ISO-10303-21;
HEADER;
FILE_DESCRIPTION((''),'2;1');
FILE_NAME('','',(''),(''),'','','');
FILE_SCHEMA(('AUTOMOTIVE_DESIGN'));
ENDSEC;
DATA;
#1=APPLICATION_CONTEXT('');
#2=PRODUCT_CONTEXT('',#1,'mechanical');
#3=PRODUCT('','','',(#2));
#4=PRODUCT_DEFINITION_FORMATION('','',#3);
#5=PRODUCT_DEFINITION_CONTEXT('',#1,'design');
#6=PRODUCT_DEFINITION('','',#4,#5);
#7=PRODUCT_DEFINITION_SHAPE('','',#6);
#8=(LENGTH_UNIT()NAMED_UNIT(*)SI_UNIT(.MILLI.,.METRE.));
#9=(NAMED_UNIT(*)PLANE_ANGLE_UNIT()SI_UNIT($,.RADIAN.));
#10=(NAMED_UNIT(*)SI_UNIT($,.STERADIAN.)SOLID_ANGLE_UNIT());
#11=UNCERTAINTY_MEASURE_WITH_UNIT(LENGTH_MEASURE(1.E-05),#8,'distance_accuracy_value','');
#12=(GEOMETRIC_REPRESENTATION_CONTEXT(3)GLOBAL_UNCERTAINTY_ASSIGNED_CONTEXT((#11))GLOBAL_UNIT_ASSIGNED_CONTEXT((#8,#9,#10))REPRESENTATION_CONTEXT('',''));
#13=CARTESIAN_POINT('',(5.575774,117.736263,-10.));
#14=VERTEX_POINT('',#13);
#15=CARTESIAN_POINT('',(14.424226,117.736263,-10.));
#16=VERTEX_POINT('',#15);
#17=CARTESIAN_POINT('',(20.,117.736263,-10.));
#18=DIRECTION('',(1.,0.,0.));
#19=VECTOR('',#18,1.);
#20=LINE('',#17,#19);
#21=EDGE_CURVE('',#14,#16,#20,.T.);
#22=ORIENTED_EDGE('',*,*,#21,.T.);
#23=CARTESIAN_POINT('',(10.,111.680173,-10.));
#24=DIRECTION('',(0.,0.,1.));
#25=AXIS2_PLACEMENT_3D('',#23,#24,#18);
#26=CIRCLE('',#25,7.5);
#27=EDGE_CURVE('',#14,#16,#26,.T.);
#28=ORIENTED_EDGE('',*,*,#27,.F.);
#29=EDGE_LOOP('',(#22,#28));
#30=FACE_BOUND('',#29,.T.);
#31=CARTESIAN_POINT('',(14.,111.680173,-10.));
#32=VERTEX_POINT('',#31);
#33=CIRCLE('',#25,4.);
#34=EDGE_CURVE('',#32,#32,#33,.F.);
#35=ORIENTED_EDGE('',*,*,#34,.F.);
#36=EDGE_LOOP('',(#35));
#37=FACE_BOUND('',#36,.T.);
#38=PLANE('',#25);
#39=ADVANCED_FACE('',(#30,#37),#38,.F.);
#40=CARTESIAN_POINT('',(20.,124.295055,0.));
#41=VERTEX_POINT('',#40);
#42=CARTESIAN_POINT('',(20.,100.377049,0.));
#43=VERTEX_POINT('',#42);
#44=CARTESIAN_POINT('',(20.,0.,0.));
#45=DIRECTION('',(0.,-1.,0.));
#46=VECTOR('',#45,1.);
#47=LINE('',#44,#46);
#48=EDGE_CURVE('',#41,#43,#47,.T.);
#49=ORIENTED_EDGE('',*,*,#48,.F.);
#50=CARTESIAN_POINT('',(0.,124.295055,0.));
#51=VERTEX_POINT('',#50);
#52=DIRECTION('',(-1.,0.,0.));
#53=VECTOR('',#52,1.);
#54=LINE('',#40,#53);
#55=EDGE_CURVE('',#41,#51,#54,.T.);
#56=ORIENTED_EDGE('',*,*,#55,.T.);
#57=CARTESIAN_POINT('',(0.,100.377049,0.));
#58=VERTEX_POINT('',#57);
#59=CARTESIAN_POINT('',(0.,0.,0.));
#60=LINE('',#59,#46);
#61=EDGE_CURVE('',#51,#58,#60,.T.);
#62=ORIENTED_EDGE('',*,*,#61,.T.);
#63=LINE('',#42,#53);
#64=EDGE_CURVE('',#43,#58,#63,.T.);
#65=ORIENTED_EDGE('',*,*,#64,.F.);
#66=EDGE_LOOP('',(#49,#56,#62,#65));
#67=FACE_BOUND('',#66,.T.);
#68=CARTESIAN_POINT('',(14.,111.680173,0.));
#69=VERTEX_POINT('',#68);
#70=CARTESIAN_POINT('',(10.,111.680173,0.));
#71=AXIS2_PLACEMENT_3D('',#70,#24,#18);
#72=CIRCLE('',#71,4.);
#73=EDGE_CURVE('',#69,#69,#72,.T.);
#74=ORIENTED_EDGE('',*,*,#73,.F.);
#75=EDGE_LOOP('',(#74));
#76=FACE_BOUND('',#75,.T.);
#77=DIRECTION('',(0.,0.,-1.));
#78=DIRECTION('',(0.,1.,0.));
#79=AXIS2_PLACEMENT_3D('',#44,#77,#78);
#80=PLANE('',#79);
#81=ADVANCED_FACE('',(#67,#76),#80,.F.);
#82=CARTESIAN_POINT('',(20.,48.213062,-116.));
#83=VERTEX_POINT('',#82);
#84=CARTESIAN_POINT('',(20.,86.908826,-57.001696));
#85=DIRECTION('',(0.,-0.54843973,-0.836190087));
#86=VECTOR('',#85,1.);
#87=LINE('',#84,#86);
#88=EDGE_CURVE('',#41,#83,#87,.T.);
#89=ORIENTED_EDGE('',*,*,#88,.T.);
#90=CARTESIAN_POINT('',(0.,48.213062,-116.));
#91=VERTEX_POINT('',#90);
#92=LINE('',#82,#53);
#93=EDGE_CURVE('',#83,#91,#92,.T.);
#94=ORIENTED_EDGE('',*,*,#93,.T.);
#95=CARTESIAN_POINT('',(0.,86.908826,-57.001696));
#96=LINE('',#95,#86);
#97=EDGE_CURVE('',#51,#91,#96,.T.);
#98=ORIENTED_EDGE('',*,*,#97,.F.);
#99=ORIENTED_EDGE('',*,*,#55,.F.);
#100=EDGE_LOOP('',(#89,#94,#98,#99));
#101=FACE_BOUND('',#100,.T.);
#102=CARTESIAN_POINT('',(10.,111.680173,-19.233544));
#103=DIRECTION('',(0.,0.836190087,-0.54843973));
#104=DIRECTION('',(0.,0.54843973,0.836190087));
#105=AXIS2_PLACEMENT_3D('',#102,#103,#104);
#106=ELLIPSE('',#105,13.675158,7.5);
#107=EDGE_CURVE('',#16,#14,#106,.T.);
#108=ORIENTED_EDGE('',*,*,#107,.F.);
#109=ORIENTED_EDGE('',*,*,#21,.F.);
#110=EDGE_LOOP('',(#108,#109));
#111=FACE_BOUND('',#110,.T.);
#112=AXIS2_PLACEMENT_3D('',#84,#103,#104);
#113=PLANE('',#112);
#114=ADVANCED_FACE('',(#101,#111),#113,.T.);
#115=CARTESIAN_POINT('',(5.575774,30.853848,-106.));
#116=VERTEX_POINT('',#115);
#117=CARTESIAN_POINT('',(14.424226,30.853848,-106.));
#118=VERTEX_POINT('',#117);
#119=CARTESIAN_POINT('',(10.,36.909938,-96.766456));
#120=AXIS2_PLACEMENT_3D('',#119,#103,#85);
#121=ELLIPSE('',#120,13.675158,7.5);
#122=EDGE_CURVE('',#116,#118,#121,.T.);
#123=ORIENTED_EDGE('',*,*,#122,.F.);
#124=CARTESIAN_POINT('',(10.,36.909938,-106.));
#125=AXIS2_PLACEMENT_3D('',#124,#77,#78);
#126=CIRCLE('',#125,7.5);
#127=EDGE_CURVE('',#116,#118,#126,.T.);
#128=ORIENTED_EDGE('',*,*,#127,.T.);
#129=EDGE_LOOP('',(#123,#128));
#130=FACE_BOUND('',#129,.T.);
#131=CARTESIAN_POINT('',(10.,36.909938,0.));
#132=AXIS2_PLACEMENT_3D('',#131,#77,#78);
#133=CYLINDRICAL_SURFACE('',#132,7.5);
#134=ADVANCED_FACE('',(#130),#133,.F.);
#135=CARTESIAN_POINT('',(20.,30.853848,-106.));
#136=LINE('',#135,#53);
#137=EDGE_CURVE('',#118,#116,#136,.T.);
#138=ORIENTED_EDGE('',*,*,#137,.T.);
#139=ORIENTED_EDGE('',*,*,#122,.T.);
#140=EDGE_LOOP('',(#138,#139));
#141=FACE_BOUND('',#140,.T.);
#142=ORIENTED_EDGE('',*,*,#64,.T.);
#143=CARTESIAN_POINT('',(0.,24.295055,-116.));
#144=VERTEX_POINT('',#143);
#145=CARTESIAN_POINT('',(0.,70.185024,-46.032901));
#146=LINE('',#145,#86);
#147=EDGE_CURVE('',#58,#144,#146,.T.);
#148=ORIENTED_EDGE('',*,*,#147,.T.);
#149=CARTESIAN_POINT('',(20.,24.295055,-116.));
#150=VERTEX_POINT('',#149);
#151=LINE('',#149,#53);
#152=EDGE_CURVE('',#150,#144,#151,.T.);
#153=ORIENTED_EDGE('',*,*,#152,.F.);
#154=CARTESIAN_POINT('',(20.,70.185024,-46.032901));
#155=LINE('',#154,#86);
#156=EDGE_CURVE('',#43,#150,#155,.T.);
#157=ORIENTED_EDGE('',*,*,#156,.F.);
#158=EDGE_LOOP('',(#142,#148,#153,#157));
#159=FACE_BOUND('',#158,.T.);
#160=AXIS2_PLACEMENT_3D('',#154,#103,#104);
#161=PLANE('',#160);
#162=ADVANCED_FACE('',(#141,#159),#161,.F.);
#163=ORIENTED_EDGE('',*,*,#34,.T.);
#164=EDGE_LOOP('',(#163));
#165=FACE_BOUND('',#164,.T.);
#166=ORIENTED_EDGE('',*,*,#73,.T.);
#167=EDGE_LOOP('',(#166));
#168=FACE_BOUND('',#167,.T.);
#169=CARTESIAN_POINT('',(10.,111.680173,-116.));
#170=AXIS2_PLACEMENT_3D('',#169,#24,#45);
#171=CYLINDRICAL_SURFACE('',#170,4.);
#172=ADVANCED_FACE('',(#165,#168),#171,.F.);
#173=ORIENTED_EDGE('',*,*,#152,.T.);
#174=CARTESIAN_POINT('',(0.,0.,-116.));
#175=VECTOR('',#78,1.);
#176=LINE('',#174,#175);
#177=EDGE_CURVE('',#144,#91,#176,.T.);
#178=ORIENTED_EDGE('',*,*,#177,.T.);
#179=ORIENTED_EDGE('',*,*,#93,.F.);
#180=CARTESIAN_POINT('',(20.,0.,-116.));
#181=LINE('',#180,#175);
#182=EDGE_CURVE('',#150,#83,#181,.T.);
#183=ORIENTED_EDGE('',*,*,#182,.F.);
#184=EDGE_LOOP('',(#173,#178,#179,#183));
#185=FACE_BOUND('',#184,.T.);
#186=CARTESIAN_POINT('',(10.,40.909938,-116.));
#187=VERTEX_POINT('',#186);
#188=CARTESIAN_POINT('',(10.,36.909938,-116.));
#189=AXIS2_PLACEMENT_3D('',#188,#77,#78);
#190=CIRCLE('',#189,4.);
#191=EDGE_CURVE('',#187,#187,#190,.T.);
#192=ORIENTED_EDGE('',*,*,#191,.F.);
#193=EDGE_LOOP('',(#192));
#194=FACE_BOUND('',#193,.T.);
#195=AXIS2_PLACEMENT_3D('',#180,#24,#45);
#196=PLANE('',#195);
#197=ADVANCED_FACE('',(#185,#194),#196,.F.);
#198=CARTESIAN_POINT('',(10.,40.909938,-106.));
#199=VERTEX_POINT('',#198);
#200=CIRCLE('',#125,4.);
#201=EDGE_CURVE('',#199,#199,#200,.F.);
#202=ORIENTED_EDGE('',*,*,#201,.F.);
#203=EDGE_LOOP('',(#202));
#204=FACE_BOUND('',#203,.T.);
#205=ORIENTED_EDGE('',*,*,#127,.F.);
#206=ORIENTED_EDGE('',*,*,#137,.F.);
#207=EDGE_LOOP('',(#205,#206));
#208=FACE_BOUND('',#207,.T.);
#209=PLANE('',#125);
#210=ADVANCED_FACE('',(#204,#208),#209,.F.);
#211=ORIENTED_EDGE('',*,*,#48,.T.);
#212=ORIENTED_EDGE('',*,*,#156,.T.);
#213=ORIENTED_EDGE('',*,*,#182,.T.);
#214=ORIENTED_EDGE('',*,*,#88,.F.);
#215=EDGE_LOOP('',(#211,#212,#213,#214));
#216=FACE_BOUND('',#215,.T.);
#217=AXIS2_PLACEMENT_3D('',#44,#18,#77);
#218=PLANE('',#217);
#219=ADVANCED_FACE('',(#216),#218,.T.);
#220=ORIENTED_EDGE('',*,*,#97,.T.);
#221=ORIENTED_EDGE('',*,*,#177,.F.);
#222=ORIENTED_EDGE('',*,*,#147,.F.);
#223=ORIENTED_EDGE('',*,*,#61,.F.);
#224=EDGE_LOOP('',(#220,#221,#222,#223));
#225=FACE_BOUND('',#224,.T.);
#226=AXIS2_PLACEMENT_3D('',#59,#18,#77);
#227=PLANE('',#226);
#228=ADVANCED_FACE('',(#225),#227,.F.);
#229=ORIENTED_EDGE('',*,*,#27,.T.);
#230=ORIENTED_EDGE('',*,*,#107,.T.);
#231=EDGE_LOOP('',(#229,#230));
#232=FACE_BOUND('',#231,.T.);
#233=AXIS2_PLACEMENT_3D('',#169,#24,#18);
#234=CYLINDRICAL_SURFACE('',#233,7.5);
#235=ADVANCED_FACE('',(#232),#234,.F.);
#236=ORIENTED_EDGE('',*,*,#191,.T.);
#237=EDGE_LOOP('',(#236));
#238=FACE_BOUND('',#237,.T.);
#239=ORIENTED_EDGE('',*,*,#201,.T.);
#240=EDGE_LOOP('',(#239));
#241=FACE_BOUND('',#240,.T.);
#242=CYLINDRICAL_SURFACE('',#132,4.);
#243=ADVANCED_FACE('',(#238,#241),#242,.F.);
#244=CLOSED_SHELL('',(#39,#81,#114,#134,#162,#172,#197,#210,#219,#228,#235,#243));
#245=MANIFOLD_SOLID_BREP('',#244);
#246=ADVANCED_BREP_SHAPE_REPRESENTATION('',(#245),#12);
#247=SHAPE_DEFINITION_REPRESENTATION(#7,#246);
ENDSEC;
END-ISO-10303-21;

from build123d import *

# Parameters (mm, degrees)
BOSS_EXTRUDE1_DEPTH = 20
SKETCH2_R           = 4
CUT_EXTRUDE5_DEPTH  = 117
CUT_EXTRUDE6_START  = -10
SKETCH5_R           = 7.5
CUT_EXTRUDE6_DEPTH  = 107
SKETCH6_R           = 4
CUT_EXTRUDE7_DEPTH  = 117
CUT_EXTRUDE8_START  = -10
SKETCH7_R           = 7.5
CUT_EXTRUDE8_DEPTH  = 107


with BuildPart() as part:
    # Sketch1 → Boss-Extrude1 (new body)
    with BuildSketch(Plane(origin=(0, 0, 0), x_dir=(0, 0, -1), z_dir=(1, 0, 0))):
        Polygon((116, 48.213061677), (0, 124.295055109), (0, 100.377048541), (116, 24.295055109), align=None)
    extrude(amount=BOSS_EXTRUDE1_DEPTH)

    # Sketch2 → Cut-Extrude5 (cut, through all)
    with BuildSketch(Plane.XY):
        with Locations((10, 111.680172571)):
            Circle(SKETCH2_R)
    extrude(amount=-CUT_EXTRUDE5_DEPTH, mode=Mode.SUBTRACT)

    # Sketch5 → Cut-Extrude6 (cut, through all)
    with BuildSketch(Plane.XY.offset(CUT_EXTRUDE6_START)):
        with Locations((10, 111.680172571)):
            Circle(SKETCH5_R)
    extrude(amount=-CUT_EXTRUDE6_DEPTH, mode=Mode.SUBTRACT)

    # Sketch6 → Cut-Extrude7 (cut, through all)
    with BuildSketch(Plane(origin=(0, 0, -116), x_dir=(-1, 0, 0), z_dir=(0, 0, -1))):
        with Locations((-10, 36.909937646)):
            Circle(SKETCH6_R)
    extrude(amount=-CUT_EXTRUDE7_DEPTH, mode=Mode.SUBTRACT)

    # Sketch7 → Cut-Extrude8 (cut, through all)
    with BuildSketch(Plane(origin=(0, 0, -116), x_dir=(-1, 0, 0), z_dir=(0, 0, -1)).offset(CUT_EXTRUDE8_START)):
        with Locations((-10, 36.909937646)):
            Circle(SKETCH7_R)
    extrude(amount=-CUT_EXTRUDE8_DEPTH, mode=Mode.SUBTRACT)


solid = part.part
